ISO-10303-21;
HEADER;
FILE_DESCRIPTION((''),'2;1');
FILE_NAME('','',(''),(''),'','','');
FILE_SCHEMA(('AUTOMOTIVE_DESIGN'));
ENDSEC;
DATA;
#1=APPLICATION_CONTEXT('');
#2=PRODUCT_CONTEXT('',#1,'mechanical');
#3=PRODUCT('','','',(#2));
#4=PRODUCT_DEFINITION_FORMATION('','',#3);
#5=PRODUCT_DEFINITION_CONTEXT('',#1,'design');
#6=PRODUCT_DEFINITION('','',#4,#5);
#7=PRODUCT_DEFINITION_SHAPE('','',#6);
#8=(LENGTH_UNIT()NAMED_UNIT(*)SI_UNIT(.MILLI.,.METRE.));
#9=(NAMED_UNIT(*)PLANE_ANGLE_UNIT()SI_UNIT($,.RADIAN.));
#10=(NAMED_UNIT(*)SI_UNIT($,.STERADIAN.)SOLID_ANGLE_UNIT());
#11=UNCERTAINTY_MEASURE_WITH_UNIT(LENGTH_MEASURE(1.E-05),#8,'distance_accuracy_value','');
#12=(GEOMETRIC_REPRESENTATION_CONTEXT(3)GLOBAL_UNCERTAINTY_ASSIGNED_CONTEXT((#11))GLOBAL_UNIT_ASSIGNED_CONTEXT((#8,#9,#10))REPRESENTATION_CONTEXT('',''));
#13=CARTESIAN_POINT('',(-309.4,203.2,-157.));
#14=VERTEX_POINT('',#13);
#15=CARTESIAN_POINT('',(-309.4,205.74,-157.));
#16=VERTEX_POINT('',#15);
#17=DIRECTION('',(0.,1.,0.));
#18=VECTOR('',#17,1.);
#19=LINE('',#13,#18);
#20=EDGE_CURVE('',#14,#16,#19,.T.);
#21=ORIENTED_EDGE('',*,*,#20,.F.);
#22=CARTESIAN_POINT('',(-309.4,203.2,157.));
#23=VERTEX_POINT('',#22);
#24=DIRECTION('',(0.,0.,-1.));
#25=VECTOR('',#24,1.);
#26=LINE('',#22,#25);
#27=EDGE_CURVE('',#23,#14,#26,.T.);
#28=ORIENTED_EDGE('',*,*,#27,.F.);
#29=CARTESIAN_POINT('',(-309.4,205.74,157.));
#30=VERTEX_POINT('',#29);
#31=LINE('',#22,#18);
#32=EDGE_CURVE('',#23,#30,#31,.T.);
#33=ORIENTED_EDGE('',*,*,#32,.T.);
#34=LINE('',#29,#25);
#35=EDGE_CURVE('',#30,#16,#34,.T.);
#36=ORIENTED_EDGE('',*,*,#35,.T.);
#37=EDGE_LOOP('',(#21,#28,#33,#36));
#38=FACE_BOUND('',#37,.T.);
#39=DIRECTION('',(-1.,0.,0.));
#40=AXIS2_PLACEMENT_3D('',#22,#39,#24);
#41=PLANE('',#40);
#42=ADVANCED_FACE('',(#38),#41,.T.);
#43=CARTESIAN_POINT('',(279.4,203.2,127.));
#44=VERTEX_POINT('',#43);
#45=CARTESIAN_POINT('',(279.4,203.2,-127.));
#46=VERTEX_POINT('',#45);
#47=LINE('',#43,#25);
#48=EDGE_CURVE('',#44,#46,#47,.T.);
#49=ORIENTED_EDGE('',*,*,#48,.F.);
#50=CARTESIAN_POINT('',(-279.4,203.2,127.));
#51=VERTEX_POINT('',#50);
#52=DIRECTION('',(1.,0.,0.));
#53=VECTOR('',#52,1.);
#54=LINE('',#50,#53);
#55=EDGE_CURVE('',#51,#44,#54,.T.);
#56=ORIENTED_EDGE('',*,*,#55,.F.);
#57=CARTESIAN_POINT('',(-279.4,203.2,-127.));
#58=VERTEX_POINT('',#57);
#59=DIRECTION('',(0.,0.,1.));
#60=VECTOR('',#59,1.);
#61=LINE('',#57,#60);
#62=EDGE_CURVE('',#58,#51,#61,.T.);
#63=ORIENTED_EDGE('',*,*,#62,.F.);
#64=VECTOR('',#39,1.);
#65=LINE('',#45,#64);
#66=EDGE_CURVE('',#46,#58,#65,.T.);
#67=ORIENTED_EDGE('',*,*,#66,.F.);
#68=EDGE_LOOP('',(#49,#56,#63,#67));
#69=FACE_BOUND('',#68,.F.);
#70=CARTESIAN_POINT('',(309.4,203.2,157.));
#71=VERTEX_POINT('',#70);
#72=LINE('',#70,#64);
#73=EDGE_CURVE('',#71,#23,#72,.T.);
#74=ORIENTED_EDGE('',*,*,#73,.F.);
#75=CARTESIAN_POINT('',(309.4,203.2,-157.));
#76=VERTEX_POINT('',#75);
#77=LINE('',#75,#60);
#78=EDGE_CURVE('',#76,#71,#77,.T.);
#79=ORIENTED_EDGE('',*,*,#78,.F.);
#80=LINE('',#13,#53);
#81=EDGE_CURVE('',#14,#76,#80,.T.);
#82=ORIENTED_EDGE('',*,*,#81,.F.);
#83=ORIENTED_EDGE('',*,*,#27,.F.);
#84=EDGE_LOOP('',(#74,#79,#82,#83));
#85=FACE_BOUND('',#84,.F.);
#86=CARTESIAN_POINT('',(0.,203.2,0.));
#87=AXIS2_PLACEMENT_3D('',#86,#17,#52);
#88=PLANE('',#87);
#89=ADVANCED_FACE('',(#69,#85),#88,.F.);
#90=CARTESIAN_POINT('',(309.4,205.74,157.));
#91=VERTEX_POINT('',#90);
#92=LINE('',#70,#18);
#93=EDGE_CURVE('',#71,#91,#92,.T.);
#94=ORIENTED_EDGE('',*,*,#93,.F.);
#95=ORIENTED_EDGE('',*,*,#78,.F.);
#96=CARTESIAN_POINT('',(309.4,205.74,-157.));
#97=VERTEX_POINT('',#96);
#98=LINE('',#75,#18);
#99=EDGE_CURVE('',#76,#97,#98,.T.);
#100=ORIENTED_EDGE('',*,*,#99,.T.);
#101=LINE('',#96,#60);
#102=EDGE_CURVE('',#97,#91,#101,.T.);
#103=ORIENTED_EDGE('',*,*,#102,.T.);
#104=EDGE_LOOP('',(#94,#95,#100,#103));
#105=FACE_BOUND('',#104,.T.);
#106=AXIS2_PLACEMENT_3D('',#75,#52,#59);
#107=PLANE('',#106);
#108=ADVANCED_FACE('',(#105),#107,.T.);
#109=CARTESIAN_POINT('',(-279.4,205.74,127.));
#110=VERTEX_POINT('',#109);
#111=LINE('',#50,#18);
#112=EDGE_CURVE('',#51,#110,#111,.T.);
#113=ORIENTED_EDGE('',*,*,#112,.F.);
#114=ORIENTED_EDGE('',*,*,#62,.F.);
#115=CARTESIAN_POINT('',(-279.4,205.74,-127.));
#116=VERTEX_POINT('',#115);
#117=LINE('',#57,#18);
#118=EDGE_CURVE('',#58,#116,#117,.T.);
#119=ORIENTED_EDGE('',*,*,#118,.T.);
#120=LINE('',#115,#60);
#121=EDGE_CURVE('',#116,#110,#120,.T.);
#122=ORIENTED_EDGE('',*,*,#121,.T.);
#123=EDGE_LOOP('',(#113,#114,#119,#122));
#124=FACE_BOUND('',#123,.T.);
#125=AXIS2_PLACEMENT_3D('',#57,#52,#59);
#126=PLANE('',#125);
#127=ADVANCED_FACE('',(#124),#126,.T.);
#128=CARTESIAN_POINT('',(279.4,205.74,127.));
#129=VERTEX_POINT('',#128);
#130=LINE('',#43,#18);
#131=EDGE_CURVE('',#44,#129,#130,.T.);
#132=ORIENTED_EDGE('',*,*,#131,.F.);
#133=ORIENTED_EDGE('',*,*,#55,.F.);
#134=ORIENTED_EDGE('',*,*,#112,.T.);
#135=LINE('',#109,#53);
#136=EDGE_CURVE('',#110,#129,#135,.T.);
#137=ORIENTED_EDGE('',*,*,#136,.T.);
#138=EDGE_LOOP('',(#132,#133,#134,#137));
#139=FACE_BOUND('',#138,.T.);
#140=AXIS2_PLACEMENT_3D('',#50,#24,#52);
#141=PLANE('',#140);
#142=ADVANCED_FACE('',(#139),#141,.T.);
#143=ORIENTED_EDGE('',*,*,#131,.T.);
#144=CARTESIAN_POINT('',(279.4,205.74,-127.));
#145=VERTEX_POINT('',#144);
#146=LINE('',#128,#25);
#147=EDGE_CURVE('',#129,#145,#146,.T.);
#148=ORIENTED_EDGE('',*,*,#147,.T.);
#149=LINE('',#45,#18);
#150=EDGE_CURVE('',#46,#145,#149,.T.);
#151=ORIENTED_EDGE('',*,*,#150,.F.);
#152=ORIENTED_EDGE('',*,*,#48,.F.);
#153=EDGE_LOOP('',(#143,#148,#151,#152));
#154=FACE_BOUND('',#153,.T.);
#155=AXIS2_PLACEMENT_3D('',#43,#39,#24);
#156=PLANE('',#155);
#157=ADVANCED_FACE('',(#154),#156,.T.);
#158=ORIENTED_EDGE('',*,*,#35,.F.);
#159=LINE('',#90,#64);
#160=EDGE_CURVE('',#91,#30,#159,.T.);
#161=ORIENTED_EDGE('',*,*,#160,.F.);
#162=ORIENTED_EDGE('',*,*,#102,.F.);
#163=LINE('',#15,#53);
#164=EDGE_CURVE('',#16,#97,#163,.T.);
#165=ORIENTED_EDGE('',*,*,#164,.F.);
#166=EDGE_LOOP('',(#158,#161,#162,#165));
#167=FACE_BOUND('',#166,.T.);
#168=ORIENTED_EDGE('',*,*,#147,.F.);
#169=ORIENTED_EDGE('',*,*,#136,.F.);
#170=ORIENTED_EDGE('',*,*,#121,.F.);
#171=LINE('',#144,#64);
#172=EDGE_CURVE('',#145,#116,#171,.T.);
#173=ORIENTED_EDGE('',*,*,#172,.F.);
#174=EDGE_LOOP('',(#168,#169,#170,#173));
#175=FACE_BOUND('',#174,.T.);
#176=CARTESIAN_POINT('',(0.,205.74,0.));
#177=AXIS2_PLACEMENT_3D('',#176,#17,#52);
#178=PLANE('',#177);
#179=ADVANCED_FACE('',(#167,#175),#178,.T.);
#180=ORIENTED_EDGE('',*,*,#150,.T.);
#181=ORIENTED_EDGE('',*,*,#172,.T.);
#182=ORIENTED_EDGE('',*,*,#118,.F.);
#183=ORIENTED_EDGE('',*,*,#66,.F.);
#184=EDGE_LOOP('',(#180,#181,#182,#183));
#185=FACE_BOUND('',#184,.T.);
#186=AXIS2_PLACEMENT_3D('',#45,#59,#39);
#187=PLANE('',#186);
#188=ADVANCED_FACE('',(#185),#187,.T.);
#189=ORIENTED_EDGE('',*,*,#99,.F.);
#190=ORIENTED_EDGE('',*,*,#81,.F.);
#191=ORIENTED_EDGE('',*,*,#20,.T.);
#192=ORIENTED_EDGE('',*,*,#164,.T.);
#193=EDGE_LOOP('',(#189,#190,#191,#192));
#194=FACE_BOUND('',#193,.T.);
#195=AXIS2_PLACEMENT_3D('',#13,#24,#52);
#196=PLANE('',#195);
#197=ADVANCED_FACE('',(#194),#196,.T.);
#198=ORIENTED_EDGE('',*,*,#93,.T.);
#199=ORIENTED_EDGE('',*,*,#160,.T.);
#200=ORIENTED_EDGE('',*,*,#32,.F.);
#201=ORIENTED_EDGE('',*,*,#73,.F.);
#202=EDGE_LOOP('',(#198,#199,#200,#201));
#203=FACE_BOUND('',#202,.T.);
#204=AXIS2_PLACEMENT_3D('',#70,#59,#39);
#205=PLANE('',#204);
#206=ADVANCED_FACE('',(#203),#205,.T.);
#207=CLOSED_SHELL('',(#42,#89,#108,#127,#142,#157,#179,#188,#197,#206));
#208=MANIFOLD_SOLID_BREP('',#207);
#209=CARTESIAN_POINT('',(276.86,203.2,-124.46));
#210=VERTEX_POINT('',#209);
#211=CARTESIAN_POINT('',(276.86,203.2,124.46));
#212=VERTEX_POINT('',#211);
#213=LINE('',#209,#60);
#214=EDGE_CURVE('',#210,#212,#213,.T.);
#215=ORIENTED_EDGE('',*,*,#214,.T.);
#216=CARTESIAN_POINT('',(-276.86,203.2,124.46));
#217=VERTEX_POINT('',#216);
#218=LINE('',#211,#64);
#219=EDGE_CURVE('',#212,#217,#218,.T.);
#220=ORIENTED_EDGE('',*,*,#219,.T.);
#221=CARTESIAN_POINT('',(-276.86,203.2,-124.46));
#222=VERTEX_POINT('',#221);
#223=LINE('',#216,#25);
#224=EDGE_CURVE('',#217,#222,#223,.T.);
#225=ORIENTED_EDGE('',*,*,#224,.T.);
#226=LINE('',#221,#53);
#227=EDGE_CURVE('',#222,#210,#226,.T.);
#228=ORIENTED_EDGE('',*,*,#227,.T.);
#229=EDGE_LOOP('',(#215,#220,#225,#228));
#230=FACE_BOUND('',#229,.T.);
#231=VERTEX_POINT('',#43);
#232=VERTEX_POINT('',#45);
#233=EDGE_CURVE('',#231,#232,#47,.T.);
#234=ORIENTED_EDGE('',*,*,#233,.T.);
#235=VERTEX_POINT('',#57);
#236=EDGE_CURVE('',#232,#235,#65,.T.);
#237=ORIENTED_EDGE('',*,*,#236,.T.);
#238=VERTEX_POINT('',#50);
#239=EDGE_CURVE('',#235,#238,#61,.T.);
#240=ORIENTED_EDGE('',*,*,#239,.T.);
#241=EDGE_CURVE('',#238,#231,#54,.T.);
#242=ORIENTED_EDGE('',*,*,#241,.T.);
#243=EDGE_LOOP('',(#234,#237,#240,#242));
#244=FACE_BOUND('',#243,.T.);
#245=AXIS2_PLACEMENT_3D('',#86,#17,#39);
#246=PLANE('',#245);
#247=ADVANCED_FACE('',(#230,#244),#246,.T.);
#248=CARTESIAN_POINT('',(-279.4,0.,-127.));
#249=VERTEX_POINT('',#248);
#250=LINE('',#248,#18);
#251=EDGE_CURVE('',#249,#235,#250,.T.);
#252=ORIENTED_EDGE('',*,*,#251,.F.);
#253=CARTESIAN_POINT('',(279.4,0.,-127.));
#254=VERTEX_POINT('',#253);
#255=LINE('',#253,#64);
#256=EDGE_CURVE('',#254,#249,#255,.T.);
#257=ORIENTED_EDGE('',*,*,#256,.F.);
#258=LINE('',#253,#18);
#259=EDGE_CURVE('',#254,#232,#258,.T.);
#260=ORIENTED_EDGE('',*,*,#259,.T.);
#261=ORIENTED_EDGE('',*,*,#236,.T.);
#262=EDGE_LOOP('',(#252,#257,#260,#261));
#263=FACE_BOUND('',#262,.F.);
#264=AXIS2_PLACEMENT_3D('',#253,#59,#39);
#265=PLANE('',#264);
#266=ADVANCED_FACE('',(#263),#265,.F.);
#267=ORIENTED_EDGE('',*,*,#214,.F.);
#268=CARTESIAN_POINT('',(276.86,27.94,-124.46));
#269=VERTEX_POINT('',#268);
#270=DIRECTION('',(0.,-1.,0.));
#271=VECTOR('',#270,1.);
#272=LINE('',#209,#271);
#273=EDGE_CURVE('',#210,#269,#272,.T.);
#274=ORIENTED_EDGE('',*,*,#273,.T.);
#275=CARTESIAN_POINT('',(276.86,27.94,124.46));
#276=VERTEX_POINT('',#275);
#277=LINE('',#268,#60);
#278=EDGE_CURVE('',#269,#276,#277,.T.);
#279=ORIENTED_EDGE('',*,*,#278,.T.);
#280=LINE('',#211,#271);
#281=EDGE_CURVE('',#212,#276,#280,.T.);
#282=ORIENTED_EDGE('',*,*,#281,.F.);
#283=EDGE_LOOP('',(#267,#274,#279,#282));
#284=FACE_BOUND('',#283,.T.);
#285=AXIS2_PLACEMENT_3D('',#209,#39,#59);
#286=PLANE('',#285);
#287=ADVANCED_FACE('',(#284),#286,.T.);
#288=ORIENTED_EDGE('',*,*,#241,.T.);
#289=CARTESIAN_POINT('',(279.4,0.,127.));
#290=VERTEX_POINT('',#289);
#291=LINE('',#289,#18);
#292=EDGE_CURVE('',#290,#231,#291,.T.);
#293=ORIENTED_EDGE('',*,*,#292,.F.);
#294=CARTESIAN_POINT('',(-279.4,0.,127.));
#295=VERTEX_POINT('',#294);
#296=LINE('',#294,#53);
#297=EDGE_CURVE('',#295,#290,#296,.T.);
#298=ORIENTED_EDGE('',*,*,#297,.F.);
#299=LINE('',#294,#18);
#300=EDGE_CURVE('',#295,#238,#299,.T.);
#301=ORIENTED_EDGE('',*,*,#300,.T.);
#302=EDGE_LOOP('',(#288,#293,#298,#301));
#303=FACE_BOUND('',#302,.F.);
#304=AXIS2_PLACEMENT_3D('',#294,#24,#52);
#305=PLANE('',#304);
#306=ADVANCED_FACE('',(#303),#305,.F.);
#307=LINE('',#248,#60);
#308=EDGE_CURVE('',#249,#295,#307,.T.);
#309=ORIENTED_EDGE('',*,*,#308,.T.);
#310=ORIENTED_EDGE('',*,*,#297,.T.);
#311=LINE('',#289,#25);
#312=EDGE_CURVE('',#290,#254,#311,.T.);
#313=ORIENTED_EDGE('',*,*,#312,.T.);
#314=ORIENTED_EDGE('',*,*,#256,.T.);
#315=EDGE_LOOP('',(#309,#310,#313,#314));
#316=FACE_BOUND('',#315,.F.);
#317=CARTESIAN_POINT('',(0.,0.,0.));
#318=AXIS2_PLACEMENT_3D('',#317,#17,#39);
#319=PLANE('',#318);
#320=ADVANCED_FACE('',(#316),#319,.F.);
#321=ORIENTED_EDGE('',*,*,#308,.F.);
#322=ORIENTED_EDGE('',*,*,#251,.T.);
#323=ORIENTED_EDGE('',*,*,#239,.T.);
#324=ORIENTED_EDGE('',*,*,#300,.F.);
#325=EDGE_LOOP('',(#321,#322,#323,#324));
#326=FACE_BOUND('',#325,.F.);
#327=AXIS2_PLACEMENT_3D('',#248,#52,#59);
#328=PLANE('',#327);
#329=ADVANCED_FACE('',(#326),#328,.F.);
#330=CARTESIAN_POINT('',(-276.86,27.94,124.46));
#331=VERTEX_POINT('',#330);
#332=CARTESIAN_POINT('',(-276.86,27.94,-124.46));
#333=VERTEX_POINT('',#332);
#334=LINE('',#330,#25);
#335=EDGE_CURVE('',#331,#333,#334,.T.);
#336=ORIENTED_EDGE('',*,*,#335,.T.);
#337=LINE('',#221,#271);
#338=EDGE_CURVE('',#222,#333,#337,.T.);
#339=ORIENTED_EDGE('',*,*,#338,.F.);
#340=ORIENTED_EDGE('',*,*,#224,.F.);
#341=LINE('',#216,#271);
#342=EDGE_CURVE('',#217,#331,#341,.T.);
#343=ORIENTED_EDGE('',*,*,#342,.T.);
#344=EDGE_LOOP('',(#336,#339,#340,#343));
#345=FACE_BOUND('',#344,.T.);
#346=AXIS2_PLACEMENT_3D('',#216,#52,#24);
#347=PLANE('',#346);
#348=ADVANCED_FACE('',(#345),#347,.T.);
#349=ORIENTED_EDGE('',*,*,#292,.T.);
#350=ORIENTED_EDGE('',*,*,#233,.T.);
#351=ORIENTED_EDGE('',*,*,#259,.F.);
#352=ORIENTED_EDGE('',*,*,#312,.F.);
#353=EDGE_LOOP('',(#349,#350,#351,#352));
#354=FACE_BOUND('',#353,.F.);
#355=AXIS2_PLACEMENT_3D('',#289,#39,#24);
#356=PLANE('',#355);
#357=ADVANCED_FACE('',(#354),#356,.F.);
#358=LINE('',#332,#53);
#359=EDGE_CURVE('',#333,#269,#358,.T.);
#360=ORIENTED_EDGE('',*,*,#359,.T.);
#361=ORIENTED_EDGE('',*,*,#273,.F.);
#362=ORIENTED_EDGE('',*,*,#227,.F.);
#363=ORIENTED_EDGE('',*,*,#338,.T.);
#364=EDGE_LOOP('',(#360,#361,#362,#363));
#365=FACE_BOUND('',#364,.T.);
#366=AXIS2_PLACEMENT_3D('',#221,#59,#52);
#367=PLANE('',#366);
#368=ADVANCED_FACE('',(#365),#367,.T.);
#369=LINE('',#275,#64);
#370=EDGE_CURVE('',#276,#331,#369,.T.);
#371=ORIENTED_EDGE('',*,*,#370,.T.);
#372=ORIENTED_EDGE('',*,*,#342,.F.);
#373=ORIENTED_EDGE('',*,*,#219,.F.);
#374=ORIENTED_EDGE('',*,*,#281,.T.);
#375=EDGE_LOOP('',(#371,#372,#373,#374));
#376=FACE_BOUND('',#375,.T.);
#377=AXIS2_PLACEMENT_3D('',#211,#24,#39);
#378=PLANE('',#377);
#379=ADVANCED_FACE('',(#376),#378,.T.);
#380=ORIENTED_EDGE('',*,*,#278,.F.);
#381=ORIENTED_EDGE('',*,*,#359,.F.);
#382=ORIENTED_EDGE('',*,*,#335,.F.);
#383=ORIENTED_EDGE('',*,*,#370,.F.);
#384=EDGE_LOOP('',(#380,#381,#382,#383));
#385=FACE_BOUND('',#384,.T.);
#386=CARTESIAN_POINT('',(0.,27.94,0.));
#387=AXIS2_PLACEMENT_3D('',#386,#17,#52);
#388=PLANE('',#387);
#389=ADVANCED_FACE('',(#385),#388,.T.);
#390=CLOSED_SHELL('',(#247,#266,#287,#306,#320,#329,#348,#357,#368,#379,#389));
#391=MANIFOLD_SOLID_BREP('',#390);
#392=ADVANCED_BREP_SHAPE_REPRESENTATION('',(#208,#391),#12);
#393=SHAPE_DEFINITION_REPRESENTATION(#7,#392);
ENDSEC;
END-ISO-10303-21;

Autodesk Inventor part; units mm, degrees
ref_plane "YZ Plane" through (0, 0, 0) normal (1, 0, 0) x (0, 1, 0)
ref_plane "XZ Plane" through (0, 0, 0) normal (0, 1, 0) x (-1, 0, 0)
ref_plane "XY Plane" through (0, 0, 0) normal (0, 0, 1) x (1, 0, 0)
sketch "Sketch1" plane through (0, 0, 0) normal (0, 1, 0) x (-1, 0, 0)
  line L0 (-279.4, -127) -> (279.4, -127)
  line L1 (279.4, -127) -> (279.4, 127)
  line L2 (279.4, 127) -> (-279.4, 127)
  line L3 (-279.4, 127) -> (-279.4, -127)
  line L4 (-279.4, -127) -> (279.4, 127) construction
  line L5 (279.4, -127) -> (-279.4, 127) construction
  point P0 (0, 0)
  dimension "d0" = 558.8
  dimension "d1" = 254
extrude "Extrusion1" add sketch "Sketch1" along normal blind 203.2
sketch "Sketch2" plane through (0, 203.2, 0) normal (0, 1, 0) x (1, 0, 0)
  line L0 (279.4, 127) -> (-279.4, 127) projected
  line L1 (-279.4, 127) -> (-279.4, -127) projected
  line L2 (-279.4, -127) -> (279.4, -127) projected
  line L3 (279.4, -127) -> (279.4, 127) projected
  line L4 (-309.4, 157) -> (309.4, 157)
  line L5 (309.4, 157) -> (309.4, -157)
  line L6 (309.4, -157) -> (-309.4, -157)
  line L7 (-309.4, -157) -> (-309.4, 157)
  point P0 (0, 0)
  dimension "d4" = 30
extrude "Extrusion2" add sketch "Sketch2" along normal blind 2.54
sketch "Sketch4" plane through (0, 203.2, 0) normal (0, 1, 0) x (1, 0, 0)
  line L0 (279.4, 127) -> (-279.4, 127) projected
  line L1 (-279.4, 127) -> (-279.4, -127) projected
  line L2 (-279.4, -127) -> (279.4, -127) projected
  line L3 (279.4, -127) -> (279.4, 127) projected
  line L4 (-276.86, 124.46) -> (276.86, 124.46)
  line L5 (276.86, 124.46) -> (276.86, -124.46)
  line L6 (276.86, -124.46) -> (-276.86, -124.46)
  line L7 (-276.86, -124.46) -> (-276.86, 124.46)
  point P0 (0, 0)
  dimension "d9" = 2.54
extrude "Extrusion4" cut sketch "Sketch4" against normal blind 175.26 contours L4 L5 L6 L7
properties part number "dcps_mcpc" material "Copper, Alloy"
